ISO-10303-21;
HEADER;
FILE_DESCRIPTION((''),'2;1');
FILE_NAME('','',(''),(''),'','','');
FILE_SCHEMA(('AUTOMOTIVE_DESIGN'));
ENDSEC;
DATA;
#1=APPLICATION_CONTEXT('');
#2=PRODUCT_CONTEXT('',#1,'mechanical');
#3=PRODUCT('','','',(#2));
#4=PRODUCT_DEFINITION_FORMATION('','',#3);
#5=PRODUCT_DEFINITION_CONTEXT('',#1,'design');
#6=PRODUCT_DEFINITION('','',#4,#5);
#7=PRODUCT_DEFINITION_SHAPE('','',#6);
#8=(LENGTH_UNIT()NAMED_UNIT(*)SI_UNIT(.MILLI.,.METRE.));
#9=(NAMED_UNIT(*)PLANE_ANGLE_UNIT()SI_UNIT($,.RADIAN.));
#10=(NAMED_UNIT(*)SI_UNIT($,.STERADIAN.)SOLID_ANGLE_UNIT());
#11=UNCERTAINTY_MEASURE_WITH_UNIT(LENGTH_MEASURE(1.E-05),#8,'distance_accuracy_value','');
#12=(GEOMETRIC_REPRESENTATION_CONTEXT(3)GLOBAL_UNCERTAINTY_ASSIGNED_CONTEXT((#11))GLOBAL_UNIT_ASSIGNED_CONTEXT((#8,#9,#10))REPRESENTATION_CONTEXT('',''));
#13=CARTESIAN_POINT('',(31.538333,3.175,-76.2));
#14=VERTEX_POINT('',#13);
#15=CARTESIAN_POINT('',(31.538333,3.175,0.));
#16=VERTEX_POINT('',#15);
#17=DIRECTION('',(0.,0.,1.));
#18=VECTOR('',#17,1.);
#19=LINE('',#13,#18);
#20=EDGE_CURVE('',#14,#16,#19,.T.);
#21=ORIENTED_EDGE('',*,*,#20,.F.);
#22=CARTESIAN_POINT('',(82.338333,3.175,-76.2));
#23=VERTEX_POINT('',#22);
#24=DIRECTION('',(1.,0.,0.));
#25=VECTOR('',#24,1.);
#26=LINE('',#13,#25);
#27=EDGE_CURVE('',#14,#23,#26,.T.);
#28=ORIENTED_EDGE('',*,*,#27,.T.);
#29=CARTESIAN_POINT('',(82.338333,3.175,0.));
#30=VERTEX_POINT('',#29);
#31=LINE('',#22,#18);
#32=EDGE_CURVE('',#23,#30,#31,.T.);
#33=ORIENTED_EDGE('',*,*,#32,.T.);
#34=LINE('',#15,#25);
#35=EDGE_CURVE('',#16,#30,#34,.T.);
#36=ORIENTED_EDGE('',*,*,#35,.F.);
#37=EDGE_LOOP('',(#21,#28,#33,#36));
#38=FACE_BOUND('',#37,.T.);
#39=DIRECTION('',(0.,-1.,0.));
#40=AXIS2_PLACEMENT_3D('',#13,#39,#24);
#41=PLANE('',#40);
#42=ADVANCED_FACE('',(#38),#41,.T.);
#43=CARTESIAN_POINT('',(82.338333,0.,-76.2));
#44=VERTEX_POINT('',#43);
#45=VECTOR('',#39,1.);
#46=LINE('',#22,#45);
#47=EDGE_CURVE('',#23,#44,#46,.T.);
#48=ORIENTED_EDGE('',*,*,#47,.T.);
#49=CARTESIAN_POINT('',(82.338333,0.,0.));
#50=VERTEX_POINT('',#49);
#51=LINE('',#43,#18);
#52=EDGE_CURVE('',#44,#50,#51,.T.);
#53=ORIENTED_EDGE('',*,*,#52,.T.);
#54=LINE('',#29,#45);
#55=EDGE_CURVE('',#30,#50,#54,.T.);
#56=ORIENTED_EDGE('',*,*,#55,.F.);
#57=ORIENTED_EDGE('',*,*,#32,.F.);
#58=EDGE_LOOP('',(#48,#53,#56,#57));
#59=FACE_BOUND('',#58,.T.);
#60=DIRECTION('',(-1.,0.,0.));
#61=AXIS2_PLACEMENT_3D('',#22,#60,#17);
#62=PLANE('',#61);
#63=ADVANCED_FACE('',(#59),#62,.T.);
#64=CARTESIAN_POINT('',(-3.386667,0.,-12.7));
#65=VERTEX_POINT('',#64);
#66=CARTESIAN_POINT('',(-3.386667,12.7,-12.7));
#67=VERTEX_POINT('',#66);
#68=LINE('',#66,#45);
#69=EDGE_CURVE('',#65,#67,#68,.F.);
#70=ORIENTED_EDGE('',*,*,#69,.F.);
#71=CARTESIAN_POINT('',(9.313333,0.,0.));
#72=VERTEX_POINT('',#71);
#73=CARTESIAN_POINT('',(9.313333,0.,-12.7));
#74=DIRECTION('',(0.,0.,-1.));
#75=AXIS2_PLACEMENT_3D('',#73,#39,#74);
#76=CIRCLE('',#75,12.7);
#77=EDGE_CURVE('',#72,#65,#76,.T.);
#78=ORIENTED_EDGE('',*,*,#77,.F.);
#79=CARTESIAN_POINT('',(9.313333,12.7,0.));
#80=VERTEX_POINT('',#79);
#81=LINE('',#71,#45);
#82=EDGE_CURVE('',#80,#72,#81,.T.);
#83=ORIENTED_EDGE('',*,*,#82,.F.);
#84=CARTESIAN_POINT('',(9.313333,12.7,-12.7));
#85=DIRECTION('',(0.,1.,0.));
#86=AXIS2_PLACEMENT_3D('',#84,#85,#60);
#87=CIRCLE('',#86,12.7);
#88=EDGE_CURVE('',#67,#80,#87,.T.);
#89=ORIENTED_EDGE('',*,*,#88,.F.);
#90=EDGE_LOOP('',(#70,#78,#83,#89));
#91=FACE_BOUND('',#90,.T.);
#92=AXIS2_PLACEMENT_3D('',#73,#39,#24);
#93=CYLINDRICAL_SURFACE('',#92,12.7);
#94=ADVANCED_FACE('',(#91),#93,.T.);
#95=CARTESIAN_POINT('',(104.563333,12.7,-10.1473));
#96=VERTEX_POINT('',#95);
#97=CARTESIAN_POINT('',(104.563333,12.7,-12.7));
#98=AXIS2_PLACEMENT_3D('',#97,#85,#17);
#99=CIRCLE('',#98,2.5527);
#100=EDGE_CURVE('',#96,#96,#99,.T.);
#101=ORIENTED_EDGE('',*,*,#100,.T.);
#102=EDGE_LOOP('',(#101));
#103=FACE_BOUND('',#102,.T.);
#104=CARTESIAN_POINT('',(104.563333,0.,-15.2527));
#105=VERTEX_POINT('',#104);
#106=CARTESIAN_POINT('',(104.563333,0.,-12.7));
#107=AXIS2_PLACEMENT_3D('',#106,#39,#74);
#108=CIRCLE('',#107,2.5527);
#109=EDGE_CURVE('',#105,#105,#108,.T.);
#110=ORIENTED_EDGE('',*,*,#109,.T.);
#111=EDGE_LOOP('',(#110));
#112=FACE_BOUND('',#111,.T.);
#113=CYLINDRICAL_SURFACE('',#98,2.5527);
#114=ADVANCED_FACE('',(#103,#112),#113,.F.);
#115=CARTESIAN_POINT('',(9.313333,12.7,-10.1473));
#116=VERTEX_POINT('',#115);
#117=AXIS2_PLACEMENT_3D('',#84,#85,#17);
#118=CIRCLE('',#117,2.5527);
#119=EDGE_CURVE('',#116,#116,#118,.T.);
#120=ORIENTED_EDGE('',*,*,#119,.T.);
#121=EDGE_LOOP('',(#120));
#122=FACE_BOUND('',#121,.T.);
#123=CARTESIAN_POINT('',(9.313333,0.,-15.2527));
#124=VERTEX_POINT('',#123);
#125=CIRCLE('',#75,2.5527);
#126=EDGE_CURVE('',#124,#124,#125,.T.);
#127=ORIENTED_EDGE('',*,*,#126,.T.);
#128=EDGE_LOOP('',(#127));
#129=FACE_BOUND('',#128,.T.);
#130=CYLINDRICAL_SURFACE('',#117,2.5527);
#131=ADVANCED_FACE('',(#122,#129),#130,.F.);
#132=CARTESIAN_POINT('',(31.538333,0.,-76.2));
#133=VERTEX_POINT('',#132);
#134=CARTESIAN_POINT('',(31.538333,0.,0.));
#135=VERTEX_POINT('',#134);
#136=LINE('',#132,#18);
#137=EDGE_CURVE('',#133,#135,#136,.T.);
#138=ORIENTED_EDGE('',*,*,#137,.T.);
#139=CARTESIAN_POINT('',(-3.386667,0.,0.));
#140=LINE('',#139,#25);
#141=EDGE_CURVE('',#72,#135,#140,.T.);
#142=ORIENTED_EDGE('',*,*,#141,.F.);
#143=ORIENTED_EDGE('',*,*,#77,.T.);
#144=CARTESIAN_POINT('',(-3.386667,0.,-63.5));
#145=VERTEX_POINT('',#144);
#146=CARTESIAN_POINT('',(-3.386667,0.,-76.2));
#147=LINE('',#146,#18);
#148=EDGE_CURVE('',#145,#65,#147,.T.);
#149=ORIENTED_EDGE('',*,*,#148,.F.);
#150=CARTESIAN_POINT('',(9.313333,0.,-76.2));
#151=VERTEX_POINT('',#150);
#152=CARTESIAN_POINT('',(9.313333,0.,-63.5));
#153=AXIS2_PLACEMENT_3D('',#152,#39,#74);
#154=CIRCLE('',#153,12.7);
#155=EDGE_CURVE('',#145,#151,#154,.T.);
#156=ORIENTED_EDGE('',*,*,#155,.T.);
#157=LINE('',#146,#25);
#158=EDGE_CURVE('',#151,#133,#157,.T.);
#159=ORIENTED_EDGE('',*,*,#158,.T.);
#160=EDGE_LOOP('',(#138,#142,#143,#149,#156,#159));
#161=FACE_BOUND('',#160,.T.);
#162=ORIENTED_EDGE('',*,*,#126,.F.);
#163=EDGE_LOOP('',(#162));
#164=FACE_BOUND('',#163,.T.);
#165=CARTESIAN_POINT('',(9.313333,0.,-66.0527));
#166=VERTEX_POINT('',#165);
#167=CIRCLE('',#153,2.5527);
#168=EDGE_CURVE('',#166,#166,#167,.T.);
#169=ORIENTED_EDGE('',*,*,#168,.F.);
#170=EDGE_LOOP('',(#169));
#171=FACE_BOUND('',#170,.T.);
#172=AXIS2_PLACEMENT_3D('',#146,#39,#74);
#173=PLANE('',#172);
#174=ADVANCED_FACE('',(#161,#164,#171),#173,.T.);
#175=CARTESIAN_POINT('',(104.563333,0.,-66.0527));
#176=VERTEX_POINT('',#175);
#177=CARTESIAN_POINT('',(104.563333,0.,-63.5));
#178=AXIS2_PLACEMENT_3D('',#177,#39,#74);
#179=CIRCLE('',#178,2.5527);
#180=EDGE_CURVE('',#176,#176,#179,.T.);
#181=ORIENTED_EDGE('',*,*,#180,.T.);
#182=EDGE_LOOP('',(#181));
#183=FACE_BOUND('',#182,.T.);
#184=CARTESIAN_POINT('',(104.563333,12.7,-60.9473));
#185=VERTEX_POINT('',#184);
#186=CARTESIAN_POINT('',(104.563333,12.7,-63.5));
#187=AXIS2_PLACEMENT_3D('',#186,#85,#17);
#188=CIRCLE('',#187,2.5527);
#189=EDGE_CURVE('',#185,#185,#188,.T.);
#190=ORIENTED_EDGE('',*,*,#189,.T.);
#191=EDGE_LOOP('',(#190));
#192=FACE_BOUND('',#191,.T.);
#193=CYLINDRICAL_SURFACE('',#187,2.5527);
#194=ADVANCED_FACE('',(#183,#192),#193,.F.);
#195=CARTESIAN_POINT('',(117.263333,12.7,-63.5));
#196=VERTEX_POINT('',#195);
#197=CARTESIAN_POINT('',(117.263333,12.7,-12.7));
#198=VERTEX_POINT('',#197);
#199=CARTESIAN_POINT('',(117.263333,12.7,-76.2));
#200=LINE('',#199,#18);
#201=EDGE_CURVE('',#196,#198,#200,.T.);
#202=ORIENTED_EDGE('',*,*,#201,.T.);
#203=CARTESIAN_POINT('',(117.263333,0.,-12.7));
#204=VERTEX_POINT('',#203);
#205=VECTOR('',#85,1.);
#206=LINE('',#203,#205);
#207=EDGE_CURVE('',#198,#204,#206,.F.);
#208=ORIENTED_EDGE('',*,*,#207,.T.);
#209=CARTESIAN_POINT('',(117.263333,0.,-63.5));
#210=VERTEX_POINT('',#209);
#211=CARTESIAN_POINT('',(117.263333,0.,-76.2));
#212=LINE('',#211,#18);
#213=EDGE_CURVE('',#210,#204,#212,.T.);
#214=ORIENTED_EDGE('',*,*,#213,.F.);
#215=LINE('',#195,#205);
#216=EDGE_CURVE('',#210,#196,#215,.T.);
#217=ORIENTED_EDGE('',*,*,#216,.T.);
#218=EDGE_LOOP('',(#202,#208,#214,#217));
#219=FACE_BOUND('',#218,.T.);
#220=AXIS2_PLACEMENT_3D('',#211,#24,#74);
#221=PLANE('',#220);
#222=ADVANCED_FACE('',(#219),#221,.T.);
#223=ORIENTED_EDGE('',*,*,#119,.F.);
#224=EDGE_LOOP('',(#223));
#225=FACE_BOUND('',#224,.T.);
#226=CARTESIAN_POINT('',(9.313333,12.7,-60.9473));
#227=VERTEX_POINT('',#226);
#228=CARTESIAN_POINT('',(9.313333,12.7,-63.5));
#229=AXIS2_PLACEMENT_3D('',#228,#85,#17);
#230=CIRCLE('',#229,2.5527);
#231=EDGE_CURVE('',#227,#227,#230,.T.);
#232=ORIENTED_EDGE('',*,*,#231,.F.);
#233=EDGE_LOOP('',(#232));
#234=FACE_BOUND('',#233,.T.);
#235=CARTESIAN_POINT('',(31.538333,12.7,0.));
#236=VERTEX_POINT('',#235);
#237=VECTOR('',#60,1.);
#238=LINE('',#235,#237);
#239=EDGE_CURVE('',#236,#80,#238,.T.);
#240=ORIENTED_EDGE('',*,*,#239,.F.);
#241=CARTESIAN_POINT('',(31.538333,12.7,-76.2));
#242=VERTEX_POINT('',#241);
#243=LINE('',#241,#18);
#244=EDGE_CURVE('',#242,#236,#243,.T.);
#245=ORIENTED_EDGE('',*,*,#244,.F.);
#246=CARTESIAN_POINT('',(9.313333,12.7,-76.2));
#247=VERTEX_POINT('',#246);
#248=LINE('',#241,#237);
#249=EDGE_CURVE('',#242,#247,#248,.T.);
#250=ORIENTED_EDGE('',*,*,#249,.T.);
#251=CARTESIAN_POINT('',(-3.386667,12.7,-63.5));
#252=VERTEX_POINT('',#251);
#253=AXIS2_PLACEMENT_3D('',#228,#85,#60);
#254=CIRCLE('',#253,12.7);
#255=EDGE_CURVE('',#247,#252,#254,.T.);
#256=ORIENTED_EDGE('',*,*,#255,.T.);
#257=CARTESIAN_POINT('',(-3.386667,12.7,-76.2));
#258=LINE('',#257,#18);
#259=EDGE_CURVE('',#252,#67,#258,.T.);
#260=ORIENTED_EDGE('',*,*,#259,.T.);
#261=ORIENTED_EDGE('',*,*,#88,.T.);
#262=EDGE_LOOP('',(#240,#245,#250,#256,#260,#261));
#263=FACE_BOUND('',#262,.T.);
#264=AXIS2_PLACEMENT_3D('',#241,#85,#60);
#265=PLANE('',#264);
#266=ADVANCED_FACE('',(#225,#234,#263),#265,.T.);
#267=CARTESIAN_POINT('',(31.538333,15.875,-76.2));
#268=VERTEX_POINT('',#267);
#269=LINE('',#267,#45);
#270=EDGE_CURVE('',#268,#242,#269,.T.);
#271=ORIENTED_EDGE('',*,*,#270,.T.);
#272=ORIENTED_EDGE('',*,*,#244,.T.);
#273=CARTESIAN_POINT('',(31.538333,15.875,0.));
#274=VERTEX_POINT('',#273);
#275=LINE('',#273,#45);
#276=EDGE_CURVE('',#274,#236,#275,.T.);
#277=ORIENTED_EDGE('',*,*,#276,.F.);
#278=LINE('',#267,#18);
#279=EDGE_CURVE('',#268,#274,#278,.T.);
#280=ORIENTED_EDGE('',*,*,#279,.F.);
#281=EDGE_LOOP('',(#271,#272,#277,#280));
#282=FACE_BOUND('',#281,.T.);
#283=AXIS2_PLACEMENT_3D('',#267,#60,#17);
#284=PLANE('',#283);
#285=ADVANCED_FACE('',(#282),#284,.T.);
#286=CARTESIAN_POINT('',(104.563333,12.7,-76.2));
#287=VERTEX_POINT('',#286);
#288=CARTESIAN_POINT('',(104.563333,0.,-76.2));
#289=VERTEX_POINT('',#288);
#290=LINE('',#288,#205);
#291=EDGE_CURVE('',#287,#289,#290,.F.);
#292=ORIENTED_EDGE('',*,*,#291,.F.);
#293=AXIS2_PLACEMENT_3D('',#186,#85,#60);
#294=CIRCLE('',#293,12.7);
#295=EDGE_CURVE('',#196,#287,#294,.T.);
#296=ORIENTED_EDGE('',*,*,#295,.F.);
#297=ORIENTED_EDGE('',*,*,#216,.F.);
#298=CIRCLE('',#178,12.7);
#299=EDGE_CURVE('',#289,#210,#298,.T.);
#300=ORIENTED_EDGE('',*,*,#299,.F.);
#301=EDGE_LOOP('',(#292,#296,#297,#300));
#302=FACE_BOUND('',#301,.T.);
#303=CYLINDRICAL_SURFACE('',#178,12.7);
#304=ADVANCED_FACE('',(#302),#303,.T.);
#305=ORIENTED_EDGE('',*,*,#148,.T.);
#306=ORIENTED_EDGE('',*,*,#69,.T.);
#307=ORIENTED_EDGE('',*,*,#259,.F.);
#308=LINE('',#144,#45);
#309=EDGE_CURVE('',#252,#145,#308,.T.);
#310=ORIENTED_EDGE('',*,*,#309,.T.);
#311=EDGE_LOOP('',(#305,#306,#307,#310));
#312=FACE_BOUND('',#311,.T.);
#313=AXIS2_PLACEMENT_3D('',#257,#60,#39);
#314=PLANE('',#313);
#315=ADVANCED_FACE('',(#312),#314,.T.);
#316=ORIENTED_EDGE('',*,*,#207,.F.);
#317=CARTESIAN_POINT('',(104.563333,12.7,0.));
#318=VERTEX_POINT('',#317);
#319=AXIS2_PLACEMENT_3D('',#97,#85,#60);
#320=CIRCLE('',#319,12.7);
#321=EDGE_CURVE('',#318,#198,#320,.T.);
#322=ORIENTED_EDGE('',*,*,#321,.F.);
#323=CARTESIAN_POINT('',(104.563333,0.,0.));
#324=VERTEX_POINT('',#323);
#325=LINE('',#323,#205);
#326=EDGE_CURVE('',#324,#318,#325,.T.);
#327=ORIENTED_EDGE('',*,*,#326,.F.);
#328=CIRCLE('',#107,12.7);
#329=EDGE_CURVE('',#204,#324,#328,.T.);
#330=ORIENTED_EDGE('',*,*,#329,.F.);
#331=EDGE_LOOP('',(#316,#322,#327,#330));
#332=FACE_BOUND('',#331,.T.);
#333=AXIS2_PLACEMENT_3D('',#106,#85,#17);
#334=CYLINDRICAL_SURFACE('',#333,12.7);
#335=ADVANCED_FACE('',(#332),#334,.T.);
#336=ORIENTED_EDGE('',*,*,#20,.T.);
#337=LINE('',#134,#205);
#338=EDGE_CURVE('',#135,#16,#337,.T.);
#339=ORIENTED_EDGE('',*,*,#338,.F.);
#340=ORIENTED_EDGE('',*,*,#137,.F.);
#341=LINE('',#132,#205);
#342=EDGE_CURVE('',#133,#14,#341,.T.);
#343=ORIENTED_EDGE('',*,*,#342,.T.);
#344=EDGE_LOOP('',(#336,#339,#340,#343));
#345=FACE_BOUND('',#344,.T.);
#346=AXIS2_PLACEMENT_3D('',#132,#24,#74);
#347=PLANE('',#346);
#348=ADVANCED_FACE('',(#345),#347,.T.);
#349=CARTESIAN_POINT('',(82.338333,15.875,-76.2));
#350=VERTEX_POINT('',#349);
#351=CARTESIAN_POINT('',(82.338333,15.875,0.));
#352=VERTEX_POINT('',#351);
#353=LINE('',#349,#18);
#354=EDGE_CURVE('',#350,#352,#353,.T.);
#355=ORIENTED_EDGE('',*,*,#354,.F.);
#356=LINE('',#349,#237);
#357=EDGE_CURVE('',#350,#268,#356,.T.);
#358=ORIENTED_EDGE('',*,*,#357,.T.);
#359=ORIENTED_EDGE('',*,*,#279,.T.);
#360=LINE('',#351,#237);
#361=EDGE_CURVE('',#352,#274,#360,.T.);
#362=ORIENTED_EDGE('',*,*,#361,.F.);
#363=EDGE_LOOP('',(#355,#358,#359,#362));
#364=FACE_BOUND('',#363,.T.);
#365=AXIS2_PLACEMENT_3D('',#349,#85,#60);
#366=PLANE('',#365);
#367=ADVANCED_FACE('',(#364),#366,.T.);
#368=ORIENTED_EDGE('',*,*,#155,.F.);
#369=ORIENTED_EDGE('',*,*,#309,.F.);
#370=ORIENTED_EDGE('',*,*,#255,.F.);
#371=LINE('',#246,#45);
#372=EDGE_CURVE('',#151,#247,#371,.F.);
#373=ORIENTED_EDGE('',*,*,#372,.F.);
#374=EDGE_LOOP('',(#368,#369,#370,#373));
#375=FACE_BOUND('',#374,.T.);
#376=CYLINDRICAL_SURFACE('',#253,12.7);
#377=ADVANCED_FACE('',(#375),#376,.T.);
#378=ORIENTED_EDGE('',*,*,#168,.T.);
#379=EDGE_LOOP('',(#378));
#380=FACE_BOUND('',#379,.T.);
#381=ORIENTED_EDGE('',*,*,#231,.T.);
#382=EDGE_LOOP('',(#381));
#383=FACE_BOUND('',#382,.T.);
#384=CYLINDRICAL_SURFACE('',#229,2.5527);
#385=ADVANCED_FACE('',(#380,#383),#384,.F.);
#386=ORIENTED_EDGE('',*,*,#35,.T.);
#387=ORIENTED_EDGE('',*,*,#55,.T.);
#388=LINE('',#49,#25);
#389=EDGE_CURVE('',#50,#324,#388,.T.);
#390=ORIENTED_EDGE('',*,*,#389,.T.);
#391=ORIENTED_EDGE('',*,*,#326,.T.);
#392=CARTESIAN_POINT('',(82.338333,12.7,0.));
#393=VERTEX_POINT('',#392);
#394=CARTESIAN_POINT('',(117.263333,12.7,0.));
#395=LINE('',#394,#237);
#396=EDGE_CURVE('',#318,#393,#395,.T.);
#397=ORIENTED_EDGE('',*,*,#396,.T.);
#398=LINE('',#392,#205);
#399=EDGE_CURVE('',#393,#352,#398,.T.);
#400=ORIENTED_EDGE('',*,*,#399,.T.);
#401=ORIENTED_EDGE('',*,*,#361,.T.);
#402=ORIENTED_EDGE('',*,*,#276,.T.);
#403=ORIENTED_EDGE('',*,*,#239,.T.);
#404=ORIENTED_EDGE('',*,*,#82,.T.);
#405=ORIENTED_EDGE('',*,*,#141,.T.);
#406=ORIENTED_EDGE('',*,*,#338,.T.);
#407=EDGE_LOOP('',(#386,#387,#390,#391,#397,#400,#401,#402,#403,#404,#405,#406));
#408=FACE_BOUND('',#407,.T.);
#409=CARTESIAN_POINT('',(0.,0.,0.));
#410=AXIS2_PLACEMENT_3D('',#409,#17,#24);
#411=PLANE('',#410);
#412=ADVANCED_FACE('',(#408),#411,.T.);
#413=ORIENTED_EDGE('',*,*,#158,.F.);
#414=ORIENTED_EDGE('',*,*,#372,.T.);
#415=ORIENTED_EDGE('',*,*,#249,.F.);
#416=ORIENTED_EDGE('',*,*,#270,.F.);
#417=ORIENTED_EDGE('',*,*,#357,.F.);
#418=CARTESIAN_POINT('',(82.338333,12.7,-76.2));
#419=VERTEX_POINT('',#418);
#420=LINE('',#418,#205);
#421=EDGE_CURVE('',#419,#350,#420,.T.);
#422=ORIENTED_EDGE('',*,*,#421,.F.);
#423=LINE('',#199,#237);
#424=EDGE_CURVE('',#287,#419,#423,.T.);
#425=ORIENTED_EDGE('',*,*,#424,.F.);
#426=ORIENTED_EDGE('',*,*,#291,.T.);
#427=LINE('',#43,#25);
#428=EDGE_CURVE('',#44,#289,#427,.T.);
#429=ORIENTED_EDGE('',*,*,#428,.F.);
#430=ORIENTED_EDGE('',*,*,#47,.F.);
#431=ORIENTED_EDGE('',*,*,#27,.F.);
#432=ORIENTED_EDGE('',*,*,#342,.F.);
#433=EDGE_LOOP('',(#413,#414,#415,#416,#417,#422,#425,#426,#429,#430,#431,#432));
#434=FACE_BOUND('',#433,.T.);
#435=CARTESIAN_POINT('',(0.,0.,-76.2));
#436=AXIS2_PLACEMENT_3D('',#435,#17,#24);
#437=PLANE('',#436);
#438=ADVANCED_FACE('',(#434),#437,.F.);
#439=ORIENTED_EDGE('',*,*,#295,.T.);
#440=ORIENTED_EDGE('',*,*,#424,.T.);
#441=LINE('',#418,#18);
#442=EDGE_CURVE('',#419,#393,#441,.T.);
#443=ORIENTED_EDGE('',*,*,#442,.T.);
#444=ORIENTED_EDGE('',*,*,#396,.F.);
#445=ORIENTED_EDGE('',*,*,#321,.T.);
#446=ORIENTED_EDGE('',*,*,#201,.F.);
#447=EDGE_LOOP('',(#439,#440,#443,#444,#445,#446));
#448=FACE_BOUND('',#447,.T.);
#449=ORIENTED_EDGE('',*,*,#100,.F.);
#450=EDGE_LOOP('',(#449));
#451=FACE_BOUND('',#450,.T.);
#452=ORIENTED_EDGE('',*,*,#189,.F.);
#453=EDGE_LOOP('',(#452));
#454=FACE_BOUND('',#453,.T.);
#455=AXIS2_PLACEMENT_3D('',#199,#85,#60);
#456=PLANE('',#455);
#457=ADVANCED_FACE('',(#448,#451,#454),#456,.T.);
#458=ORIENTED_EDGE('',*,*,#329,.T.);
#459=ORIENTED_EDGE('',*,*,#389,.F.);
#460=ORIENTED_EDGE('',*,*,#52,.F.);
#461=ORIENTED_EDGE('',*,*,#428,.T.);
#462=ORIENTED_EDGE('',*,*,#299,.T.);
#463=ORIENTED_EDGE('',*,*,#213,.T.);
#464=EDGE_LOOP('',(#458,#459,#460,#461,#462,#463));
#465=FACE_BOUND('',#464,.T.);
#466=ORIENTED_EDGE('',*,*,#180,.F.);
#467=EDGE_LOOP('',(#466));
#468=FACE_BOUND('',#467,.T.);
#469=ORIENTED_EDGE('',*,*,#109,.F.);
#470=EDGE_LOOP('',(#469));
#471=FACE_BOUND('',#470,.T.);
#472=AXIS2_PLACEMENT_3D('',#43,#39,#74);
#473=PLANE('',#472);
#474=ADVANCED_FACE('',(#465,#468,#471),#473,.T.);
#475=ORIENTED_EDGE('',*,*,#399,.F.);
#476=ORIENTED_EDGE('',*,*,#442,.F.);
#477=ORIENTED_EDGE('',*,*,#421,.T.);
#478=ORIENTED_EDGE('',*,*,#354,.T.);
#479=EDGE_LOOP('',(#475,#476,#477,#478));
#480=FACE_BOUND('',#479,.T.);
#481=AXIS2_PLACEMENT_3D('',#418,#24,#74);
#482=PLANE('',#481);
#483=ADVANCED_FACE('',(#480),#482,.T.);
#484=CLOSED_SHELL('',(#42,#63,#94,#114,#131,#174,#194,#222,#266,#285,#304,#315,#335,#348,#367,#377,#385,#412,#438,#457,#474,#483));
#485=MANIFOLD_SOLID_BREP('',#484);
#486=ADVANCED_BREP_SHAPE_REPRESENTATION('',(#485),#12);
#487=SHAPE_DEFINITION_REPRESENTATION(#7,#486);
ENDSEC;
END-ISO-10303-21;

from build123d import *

# Parameters (mm, degrees)
BOSS_EXTRUDE1_DEPTH         = 76.2
FILLET1_R                   = 12.7
F_1_4_20_TAPPED_HOLE3_D     = 5.1054
F_1_4_20_TAPPED_HOLE3_DEPTH = 16.51
F_1_4_20_TAPPED_HOLE3_TIP   = 1.533816902


with BuildPart() as part:
    # Sketch1 → Boss-Extrude1 (new body)
    with BuildSketch(Plane.XY):
        Polygon((-3.386666667, 0), (31.538333333, 0), (31.538333333, 3.175), (82.338333333, 3.175), (82.338333333, 0), (117.263333333, 0), (117.263333333, 12.7), (82.338333333, 12.7), (82.338333333, 15.875), (31.538333333, 15.875), (31.538333333, 12.7), (-3.386666667, 12.7), align=None)
    extrude(amount=-BOSS_EXTRUDE1_DEPTH)

    # Fillet1
    fillet1_edges = [part.edges().sort_by_distance(p)[0] for p in [
        (117.263333333, 6.35, 0),
        (-3.386666667, 6.35, 0),
        (117.263333333, 6.35, -76.2),
        (-3.386666667, 6.35, -76.2),
    ]]
    fillet(fillet1_edges, radius=FILLET1_R)

    # 1/4-20 Tapped Hole3
    with Locations(Plane(origin=(0, 12.7, 0), x_dir=(1, 0, 0), z_dir=(0, 1, 0))):
        with Locations((104.563333333, 63.5), (104.563333333, 12.7), (9.313333333, 12.7), (9.313333333, 63.5)):
            Hole(F_1_4_20_TAPPED_HOLE3_D / 2, depth=F_1_4_20_TAPPED_HOLE3_DEPTH)
            with Locations((0, 0, -(F_1_4_20_TAPPED_HOLE3_DEPTH + F_1_4_20_TAPPED_HOLE3_TIP / 2))):  # 118° drill point
                Cone(0, F_1_4_20_TAPPED_HOLE3_D / 2, F_1_4_20_TAPPED_HOLE3_TIP, mode=Mode.SUBTRACT)


solid = part.part
